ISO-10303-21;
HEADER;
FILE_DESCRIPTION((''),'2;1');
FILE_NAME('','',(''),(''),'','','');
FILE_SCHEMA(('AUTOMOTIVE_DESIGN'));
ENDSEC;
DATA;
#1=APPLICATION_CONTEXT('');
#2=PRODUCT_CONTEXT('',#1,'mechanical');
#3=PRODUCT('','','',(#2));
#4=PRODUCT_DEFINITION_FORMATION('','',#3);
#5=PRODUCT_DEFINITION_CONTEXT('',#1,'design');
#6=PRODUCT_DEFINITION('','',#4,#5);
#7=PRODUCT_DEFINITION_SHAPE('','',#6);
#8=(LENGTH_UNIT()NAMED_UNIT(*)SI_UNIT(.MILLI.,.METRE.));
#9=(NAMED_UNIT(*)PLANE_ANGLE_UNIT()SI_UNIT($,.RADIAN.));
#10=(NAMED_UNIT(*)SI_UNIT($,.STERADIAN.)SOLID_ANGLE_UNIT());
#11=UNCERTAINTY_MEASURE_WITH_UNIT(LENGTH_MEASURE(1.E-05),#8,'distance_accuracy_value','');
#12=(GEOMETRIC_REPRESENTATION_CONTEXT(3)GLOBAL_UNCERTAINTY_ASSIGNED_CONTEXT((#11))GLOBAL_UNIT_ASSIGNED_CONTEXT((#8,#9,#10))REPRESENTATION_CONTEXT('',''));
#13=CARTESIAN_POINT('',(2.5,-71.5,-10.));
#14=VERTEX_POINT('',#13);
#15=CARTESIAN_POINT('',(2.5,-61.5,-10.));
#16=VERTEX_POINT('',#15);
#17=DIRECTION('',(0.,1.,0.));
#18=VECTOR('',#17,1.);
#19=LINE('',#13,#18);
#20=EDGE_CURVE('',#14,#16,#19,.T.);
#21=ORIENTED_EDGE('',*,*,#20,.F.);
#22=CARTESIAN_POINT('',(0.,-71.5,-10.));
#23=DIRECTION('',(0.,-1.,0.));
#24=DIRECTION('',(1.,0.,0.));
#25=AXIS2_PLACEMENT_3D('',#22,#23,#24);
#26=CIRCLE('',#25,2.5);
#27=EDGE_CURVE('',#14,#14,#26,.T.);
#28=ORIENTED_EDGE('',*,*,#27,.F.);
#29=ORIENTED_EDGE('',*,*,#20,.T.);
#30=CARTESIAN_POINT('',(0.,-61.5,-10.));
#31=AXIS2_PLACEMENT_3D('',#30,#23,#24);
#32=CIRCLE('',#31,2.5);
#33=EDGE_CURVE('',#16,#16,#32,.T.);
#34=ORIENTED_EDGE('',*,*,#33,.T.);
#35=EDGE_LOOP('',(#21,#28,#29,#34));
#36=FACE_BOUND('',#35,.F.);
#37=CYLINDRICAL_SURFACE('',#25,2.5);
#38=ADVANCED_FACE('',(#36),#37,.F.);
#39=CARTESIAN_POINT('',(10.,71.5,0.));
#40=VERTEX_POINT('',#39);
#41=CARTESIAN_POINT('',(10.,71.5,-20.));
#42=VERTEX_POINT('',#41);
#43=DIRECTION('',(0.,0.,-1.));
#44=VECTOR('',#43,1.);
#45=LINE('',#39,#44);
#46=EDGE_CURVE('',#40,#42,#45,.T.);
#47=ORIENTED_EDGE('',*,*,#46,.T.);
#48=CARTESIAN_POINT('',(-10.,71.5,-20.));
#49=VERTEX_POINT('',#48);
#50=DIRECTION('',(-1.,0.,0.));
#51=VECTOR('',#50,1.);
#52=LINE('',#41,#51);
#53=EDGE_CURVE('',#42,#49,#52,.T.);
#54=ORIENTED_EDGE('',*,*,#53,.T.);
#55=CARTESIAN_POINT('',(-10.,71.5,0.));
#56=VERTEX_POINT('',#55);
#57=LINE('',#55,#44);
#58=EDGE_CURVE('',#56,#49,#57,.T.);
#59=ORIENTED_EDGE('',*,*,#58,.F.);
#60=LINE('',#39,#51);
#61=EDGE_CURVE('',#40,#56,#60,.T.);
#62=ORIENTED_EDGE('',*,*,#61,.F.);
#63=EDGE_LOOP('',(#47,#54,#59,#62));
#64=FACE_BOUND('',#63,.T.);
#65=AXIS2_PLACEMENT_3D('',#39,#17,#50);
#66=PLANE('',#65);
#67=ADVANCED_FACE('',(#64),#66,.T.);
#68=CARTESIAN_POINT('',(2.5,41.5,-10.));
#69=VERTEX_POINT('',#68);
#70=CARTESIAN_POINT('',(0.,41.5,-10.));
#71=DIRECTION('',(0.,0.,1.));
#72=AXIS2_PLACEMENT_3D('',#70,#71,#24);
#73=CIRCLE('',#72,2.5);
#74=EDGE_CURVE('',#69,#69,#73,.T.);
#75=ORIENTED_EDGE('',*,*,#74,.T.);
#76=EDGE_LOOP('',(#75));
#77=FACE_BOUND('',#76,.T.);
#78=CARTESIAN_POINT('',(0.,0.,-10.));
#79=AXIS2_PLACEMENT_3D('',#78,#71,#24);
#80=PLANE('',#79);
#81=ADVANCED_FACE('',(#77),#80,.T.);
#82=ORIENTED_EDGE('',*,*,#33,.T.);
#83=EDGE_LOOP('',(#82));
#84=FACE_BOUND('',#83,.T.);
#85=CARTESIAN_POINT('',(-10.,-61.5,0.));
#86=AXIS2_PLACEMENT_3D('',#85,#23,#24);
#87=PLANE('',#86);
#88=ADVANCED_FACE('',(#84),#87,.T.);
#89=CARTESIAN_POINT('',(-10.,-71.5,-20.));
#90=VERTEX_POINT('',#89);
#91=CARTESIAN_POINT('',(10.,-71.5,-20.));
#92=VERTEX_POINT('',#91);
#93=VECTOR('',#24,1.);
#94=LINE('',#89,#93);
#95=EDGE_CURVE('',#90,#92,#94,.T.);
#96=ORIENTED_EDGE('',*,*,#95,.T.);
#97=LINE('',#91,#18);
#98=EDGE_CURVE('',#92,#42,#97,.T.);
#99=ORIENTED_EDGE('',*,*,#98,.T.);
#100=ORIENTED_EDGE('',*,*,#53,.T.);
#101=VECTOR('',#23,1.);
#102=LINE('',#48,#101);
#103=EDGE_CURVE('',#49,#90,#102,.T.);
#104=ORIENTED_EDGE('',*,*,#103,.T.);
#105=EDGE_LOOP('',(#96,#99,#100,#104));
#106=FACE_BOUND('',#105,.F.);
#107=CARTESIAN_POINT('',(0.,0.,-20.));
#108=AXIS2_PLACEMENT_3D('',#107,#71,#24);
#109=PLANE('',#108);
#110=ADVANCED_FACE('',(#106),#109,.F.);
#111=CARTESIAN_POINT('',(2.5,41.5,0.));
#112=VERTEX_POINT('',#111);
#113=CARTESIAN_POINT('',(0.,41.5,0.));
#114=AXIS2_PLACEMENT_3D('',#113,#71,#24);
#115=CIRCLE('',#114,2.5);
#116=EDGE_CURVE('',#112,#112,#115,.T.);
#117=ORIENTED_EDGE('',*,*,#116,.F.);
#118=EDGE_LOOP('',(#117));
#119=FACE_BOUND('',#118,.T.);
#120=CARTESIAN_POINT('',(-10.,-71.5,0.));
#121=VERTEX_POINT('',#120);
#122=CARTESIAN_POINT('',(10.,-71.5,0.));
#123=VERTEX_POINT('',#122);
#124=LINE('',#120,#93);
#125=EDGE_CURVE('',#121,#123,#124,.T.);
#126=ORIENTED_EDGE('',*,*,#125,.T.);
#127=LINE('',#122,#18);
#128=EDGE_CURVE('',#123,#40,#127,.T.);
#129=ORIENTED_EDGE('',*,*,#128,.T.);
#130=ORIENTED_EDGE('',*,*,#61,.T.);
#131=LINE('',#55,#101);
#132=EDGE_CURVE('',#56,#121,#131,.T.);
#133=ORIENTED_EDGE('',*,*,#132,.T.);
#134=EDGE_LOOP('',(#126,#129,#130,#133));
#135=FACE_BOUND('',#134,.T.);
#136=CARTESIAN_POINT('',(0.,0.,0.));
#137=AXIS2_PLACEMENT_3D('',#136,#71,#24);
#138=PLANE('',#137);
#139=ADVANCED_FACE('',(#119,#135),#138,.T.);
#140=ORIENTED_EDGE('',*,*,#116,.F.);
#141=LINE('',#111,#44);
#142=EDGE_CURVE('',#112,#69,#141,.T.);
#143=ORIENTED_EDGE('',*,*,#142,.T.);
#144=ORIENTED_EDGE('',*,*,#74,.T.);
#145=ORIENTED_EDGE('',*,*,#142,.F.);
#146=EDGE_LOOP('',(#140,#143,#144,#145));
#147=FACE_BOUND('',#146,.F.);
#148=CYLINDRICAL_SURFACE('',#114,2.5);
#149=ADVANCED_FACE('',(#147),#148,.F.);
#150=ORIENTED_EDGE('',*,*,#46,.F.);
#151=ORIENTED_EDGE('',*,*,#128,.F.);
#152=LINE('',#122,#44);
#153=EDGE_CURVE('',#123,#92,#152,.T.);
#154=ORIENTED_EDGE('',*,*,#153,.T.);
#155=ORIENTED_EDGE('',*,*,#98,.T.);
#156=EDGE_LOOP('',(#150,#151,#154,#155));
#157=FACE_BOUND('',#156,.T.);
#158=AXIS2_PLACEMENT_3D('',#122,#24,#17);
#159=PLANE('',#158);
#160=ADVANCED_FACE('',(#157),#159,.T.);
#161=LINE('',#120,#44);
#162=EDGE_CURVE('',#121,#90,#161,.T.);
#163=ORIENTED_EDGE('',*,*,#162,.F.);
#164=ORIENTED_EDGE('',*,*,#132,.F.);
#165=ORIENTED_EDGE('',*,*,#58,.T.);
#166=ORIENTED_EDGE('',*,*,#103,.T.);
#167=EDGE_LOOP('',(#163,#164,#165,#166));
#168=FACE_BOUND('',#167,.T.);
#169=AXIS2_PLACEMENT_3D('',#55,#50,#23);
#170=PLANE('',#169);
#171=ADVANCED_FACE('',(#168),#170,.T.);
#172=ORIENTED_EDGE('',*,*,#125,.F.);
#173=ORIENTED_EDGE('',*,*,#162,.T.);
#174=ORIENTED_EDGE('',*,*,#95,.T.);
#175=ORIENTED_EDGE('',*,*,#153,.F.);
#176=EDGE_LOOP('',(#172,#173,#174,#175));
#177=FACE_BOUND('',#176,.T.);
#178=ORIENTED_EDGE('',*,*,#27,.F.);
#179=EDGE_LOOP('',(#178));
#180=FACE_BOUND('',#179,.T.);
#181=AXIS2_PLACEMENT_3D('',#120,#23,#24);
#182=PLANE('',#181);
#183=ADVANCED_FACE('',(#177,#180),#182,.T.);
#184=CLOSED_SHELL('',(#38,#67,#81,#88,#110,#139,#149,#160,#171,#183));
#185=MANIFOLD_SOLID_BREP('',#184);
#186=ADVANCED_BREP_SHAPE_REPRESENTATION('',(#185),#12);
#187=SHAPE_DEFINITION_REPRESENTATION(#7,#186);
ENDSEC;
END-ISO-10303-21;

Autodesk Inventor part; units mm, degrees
ref_plane "YZ Plane" through (0, 0, 0) normal (1, 0, 0) x (0, 1, 0)
ref_plane "XZ Plane" through (0, 0, 0) normal (0, 1, 0) x (-1, 0, 0)
ref_plane "XY Plane" through (0, 0, 0) normal (0, 0, 1) x (1, 0, 0)
sketch "Boceto1" plane through (0, 0, 0) normal (0, 0, 1) x (1, 0, 0)
  line L0 (-10, -71.5) -> (10, -71.5)
  line L1 (10, -71.5) -> (10, 71.5)
  line L2 (10, 71.5) -> (-10, 71.5)
  line L3 (-10, 71.5) -> (-10, -71.5)
  line L4 (-10, -71.5) -> (10, 71.5) construction
  line L5 (10, -71.5) -> (-10, 71.5) construction
  point P0 (0, 0)
  dimension "d0" = 20
  dimension "d1" = 143
extrude "Extrusión1" add sketch "Boceto1" against normal blind 20
sketch "Boceto2" plane through (0, 0, 0) normal (0, 0, 1) x (1, 0, 0)
  line L0 (-10, 71.5) -> (10, 71.5) projected
  circle A0 centre (0, 41.5) radius 2.5
  point P0 (0, 0)
  dimension "d5" = 5
extrude "Extrusión2" cut sketch "Boceto2" against normal blind 10
thread "Rosca1" size "M5x0.8" class "6H" standard "ANSI Metric M Profile" full length
sketch "Boceto3" plane through (-10, -71.5, 0) normal (0, -1, 0) x (1, 0, 0)
  circle A0 centre (10, -10) radius 2.5
  point P0 (10, 0)
extrude "Extrusión3" cut sketch "Boceto3" against normal blind 10
thread "Rosca2" size "M5x0.8" class "6H" standard "ANSI Metric M Profile" full length
properties part number "Suport_Cam"
